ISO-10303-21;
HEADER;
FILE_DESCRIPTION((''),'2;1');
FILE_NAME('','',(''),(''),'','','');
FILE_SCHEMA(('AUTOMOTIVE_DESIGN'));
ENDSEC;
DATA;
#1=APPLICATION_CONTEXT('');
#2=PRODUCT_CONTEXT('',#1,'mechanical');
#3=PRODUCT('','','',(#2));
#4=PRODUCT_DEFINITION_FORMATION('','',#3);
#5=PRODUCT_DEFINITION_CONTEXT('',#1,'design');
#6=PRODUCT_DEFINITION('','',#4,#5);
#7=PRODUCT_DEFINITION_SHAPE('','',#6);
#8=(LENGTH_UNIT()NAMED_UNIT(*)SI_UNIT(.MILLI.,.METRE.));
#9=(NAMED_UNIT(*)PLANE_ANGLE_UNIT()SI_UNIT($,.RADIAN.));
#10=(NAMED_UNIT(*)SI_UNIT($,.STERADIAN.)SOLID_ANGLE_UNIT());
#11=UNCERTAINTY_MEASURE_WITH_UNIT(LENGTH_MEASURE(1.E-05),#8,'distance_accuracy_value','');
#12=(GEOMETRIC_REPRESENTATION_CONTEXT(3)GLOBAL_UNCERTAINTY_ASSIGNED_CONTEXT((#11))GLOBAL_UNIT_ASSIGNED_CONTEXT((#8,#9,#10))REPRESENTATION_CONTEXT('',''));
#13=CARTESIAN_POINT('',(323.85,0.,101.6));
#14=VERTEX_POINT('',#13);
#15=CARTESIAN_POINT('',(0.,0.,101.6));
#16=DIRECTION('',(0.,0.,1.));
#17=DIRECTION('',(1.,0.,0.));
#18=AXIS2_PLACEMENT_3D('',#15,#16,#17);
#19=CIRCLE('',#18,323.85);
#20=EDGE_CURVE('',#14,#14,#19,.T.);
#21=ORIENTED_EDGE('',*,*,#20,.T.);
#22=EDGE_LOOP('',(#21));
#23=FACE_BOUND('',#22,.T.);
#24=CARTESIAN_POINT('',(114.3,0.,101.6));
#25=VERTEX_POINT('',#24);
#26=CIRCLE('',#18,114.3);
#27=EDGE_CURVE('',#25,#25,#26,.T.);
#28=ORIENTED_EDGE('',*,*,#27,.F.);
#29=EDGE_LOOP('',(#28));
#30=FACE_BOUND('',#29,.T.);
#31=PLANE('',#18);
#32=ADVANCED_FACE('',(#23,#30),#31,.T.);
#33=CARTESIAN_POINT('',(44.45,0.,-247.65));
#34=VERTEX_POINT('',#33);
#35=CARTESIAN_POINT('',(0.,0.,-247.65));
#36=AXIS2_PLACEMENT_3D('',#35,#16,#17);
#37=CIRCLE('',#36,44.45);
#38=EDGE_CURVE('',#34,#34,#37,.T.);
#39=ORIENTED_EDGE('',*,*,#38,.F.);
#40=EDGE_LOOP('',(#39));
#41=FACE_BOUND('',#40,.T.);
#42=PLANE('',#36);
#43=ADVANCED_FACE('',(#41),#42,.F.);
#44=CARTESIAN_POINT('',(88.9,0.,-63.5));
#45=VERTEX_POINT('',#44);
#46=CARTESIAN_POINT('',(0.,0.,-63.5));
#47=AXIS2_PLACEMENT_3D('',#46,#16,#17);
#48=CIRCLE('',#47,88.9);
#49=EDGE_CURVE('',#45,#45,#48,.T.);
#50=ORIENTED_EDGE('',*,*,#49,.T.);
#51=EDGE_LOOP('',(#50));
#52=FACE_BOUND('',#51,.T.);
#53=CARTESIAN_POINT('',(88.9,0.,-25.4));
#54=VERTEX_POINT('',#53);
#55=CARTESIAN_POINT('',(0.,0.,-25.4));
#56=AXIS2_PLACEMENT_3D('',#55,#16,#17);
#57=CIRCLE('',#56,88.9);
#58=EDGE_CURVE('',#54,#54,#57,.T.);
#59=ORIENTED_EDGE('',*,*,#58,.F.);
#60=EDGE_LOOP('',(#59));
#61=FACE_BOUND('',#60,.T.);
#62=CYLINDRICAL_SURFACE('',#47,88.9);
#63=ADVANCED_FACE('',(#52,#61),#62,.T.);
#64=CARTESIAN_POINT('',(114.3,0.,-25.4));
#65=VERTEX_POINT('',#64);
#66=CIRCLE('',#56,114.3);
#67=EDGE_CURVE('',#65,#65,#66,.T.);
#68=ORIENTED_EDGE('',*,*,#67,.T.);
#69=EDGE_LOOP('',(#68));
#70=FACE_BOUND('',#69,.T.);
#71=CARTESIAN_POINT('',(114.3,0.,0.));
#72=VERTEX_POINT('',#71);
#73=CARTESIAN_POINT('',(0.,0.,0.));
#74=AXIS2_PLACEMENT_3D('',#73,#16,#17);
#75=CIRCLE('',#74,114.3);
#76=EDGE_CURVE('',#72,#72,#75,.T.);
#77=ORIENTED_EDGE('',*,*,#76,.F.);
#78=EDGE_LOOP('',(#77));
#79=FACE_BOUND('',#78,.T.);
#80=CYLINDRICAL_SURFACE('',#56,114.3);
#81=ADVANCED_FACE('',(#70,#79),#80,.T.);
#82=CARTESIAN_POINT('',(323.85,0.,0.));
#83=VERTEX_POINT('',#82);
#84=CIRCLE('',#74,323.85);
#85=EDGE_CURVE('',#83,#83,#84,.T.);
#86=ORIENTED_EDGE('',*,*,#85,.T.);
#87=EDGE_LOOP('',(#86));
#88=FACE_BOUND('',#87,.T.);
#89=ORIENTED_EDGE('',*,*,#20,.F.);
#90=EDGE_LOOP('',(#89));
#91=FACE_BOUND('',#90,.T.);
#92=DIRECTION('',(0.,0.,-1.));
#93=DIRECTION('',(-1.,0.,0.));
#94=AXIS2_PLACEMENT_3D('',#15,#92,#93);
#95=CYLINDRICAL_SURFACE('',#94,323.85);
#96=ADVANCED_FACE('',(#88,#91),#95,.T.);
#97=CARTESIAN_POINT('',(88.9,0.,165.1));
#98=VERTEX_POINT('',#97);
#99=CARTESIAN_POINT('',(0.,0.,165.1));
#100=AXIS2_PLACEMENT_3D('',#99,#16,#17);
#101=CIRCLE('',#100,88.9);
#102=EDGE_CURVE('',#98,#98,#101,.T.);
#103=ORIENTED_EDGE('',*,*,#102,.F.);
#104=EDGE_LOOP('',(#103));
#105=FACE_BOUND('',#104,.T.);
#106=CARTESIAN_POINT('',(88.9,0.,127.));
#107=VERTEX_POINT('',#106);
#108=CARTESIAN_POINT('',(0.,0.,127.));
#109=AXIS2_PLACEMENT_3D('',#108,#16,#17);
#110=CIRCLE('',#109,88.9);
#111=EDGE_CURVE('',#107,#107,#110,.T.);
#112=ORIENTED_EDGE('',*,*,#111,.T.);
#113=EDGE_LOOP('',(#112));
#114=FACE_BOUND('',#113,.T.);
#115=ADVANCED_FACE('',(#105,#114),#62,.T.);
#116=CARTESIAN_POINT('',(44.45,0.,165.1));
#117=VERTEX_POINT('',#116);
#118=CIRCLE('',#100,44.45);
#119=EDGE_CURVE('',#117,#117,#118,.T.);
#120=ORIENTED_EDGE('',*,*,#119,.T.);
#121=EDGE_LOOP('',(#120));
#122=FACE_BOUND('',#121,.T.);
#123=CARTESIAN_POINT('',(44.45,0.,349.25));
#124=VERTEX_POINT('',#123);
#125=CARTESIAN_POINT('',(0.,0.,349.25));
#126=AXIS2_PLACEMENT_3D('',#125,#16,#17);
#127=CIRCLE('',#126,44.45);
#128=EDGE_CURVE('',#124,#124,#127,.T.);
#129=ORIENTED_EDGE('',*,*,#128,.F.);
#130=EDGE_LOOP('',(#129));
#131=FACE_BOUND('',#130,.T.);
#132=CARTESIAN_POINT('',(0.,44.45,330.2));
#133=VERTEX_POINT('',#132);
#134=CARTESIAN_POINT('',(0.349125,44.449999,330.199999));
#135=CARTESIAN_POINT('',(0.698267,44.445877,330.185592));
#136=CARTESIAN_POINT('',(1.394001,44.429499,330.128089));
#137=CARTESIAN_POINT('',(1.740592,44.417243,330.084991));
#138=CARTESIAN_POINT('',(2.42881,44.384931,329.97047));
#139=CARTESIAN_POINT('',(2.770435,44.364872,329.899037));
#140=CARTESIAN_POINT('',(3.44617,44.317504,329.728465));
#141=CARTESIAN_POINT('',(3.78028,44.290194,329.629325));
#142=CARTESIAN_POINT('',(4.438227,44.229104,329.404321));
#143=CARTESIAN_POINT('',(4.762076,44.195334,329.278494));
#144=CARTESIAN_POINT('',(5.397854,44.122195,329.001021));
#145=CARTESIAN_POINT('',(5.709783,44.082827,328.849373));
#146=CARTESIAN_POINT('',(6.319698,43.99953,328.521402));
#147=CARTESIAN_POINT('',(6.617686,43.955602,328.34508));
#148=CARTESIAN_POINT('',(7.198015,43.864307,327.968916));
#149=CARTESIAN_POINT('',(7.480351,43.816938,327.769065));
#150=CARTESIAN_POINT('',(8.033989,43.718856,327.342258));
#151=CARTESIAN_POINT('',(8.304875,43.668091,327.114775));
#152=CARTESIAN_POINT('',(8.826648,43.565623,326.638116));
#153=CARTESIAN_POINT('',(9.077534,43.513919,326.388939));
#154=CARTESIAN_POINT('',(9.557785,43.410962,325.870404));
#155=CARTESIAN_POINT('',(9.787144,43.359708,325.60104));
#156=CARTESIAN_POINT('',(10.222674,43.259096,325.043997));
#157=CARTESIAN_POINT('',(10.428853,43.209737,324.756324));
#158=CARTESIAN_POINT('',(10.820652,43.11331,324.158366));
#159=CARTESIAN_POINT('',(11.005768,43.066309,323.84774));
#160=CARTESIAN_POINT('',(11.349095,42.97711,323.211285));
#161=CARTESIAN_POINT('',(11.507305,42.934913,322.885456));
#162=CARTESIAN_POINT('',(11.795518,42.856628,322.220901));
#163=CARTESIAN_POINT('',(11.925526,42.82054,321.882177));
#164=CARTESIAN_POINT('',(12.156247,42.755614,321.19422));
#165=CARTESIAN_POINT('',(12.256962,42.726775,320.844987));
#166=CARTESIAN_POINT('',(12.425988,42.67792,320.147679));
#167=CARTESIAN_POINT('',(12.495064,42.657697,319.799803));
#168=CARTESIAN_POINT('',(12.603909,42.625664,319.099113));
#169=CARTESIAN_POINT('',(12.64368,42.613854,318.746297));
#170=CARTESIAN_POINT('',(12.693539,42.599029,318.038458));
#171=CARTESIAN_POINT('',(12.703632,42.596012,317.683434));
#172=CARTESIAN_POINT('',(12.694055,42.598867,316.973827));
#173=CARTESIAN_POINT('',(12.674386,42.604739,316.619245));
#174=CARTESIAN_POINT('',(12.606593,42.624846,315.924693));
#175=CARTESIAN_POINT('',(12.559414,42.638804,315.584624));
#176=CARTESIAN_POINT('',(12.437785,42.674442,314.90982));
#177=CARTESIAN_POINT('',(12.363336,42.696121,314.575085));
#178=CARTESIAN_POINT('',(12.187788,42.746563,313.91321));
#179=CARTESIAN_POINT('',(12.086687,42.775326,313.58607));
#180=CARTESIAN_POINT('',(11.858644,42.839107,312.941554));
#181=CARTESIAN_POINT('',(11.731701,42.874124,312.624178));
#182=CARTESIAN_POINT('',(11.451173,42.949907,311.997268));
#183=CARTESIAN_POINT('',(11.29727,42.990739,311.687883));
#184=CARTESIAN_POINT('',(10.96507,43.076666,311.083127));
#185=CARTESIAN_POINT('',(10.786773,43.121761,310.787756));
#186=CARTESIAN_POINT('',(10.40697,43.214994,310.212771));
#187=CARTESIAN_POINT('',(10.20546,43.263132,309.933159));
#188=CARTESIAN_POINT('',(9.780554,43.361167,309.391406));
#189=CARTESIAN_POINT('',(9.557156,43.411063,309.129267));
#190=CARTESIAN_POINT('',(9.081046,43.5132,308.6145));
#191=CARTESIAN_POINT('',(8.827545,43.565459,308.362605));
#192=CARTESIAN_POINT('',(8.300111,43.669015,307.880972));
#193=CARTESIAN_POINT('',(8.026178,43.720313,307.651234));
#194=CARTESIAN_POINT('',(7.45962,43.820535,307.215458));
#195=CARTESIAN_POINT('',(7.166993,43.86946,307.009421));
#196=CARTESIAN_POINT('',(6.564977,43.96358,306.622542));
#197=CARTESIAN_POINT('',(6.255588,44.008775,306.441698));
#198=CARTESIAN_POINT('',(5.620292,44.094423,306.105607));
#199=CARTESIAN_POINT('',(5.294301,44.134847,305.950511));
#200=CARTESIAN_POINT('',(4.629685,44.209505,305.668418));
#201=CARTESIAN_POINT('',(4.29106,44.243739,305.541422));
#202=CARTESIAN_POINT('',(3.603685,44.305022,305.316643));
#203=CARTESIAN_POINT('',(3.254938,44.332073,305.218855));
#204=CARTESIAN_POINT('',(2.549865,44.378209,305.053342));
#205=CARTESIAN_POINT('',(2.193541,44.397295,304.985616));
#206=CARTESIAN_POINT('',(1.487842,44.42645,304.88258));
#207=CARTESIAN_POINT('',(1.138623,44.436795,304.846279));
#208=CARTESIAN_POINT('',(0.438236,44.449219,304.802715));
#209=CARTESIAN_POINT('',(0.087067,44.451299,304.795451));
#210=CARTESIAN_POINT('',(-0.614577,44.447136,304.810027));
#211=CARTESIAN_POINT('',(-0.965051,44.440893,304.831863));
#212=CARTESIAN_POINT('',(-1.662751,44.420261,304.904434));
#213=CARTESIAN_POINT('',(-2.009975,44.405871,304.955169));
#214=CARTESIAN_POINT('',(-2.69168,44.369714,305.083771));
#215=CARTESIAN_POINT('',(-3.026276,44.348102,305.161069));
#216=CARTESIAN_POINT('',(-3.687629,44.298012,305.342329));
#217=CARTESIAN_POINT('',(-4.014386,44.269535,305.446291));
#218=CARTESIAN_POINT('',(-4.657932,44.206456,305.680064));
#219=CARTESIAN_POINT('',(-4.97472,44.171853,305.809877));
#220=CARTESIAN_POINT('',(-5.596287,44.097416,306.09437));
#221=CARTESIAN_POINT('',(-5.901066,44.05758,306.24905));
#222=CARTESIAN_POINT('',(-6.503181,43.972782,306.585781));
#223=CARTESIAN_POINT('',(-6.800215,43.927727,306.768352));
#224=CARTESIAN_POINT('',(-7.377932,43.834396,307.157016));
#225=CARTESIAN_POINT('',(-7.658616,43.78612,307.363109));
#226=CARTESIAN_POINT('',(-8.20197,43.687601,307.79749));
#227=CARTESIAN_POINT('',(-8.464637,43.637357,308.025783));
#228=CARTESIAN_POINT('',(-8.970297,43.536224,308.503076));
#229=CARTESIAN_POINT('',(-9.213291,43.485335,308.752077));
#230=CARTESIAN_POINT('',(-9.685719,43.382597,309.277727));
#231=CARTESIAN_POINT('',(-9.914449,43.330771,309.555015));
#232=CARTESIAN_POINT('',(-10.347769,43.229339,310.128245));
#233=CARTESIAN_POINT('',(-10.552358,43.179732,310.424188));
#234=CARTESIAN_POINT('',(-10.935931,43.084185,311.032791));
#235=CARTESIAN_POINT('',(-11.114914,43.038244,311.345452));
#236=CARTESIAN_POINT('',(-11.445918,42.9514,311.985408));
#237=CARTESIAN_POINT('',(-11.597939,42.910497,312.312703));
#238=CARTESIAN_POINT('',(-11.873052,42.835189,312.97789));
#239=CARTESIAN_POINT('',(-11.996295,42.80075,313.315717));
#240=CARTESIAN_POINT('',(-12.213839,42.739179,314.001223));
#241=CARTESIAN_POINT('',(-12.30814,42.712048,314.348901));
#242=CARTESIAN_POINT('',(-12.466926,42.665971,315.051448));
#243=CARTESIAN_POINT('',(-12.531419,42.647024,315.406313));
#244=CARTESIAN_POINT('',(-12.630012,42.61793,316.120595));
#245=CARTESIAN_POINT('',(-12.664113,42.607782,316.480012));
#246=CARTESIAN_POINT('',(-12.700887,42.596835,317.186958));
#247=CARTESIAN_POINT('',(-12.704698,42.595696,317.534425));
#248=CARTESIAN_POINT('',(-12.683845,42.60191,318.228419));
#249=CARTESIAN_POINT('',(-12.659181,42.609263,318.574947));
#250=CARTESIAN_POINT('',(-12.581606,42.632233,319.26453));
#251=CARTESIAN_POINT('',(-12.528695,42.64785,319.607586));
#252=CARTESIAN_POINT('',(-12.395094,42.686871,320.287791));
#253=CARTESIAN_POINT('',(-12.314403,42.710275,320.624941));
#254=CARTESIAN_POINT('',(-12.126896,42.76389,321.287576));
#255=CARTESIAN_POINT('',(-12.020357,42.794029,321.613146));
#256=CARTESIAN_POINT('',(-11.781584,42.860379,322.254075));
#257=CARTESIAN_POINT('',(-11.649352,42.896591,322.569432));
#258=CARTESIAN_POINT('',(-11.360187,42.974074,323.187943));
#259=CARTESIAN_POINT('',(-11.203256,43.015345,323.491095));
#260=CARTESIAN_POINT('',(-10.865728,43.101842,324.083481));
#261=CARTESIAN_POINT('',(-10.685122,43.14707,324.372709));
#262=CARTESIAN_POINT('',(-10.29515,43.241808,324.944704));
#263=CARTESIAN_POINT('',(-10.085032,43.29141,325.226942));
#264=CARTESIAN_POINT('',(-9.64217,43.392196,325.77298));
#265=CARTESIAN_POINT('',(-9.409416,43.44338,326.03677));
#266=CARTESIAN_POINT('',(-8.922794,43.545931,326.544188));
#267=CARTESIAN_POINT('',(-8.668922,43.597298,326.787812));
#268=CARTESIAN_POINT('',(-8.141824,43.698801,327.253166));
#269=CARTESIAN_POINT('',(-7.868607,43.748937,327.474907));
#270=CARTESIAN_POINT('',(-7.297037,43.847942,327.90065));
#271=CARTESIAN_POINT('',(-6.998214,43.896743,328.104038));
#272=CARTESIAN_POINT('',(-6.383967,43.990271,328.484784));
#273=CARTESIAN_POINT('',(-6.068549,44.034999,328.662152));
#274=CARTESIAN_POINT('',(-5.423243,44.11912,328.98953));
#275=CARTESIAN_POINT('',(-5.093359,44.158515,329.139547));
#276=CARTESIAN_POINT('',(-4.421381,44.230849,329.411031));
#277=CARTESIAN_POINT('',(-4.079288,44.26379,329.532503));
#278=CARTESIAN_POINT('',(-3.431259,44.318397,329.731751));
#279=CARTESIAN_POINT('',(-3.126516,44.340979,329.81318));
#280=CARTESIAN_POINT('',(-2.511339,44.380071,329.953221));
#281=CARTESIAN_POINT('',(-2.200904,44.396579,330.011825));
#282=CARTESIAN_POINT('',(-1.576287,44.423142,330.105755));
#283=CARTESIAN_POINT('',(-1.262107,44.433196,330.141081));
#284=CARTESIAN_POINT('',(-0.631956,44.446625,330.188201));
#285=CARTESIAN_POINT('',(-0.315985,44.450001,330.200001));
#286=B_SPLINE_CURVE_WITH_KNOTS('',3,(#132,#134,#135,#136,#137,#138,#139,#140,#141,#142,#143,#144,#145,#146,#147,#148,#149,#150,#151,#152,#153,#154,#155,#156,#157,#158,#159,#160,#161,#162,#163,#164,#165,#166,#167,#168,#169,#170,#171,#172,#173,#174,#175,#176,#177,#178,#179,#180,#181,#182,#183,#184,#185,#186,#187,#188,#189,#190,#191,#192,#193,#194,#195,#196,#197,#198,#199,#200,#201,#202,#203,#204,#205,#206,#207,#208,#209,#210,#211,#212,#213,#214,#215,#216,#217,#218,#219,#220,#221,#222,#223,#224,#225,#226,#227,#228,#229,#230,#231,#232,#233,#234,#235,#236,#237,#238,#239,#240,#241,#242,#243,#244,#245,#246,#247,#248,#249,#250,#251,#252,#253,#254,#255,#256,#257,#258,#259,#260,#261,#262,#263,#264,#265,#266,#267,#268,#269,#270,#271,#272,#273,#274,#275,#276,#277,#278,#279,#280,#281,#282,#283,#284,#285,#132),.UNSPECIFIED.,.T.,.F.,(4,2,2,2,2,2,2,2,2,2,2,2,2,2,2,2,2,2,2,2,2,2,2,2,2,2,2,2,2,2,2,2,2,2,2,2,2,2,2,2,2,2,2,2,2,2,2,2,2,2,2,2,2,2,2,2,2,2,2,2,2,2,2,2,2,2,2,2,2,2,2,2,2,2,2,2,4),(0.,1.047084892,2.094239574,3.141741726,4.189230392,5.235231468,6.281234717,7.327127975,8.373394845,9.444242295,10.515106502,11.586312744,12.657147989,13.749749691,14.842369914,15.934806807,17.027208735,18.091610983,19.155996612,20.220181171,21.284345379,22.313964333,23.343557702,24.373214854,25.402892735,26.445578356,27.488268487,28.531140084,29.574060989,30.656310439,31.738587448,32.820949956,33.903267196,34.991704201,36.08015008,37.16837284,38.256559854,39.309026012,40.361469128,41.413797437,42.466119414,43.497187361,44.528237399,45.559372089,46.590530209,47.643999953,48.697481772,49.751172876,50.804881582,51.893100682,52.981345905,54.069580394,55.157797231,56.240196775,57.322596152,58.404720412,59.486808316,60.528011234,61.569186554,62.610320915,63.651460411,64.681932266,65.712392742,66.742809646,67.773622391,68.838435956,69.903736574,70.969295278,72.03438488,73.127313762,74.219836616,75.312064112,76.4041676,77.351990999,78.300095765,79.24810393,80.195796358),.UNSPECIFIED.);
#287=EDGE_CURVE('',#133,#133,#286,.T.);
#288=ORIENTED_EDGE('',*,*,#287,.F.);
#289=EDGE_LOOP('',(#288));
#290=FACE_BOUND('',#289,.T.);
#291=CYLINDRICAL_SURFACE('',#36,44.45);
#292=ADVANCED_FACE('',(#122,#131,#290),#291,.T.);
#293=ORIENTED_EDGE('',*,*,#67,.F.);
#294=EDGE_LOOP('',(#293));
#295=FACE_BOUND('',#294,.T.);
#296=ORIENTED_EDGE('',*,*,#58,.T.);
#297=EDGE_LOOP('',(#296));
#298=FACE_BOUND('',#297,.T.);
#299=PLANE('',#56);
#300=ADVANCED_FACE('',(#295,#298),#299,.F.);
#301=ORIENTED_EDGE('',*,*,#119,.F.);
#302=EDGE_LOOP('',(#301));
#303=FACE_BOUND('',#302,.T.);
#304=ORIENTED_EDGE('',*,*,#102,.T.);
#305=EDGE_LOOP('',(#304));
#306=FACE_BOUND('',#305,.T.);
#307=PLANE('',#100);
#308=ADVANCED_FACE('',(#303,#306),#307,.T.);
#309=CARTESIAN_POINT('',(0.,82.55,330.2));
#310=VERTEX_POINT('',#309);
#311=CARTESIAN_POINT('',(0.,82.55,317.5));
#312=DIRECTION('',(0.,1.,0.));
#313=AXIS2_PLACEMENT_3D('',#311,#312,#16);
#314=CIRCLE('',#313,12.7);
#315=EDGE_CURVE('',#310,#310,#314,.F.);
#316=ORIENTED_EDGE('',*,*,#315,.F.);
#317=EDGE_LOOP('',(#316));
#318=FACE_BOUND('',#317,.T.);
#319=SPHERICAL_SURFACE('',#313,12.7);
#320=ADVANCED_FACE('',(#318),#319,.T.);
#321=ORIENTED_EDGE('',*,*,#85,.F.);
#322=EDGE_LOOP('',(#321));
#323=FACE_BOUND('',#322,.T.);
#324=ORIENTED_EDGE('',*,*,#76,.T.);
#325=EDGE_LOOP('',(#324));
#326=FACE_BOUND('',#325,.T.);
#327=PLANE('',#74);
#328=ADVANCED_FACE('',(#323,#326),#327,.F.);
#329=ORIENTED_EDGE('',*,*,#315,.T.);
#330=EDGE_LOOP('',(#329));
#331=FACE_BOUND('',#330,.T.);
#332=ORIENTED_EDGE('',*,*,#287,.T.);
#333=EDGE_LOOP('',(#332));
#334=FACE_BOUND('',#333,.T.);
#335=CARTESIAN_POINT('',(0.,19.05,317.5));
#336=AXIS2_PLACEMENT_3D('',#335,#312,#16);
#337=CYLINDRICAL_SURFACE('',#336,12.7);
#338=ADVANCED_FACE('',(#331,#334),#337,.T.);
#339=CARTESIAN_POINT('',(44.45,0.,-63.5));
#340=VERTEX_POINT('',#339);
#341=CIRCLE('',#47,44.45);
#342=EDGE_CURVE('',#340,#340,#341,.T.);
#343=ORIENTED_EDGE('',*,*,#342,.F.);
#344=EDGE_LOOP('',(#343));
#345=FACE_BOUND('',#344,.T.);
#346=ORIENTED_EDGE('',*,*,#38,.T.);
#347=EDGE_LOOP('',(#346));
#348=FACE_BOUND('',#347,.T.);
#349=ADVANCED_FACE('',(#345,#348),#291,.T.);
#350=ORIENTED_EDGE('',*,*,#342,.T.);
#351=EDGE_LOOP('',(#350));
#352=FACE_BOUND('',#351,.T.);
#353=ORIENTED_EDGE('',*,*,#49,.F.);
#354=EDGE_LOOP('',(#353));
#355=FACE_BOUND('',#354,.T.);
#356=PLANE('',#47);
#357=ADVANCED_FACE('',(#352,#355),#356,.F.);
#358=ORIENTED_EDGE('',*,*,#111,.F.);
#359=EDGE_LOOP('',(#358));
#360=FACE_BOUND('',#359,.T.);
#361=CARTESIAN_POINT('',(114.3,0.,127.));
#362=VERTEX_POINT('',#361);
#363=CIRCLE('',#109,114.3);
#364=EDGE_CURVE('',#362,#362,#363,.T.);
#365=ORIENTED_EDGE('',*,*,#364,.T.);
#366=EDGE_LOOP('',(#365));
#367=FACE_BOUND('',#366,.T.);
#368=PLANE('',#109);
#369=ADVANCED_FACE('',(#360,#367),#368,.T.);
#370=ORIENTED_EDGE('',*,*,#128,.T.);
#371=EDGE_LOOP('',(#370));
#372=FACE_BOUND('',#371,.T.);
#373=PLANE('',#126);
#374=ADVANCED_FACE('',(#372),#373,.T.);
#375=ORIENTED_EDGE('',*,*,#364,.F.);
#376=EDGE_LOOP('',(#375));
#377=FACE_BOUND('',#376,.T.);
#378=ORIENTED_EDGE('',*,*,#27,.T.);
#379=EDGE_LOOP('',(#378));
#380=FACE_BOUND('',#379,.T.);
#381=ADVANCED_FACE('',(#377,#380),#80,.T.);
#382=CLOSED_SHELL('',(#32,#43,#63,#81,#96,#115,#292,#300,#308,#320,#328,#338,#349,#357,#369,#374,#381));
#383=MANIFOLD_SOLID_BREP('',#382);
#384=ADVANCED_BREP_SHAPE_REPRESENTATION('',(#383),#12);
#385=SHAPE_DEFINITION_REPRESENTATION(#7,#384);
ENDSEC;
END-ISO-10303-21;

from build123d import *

# Parameters (mm, degrees)
SKETCH1_R                = 323.85
BOSS_EXTRUDE3_DEPTH      = 101.6
BOSS_EXTRUDE4_DEPTH      = 25.4
BOSS_EXTRUDE4_DEPTH_BACK = 127
SKETCH2_R                = 114.3
BOSS_EXTRUDE5_DEPTH      = 38.1
BOSS_EXTRUDE5_DEPTH_BACK = 190.5
SKETCH4_R                = 88.9
BOSS_EXTRUDE6_DEPTH      = 184.15
BOSS_EXTRUDE6_DEPTH_BACK = 412.75
SKETCH5_R                = 44.45
BOSS_EXTRUDE7_DEPTH      = 50.8
BOSS_EXTRUDE7_DEPTH_BACK = 25.4
SKETCH6_R                = 12.7
FILLET2_R                = 12.7


with BuildPart() as part:
    # Sketch1 → Boss-Extrude3 (new body)
    with BuildSketch(Plane.XY):
        Circle(SKETCH1_R)
    extrude(amount=BOSS_EXTRUDE3_DEPTH)

    # Sketch2 → Boss-Extrude4 (add, two sides: drawn at the far end of the back side and taken through both)
    with BuildSketch(Plane.XY.offset(101.6).offset(-BOSS_EXTRUDE4_DEPTH_BACK)):
        Circle(SKETCH2_R)
    extrude(amount=BOSS_EXTRUDE4_DEPTH + BOSS_EXTRUDE4_DEPTH_BACK)

    # Sketch4 → Boss-Extrude5 (add, two sides: drawn at the far end of the back side and taken through both)
    with BuildSketch(Plane.XY.offset(127).offset(-BOSS_EXTRUDE5_DEPTH_BACK)):
        Circle(SKETCH4_R)
    extrude(amount=BOSS_EXTRUDE5_DEPTH + BOSS_EXTRUDE5_DEPTH_BACK)

    # Sketch5 → Boss-Extrude6 (add, two sides: drawn at the far end of the back side and taken through both)
    with BuildSketch(Plane.XY.offset(165.1).offset(-BOSS_EXTRUDE6_DEPTH_BACK)):
        Circle(SKETCH5_R)
    extrude(amount=BOSS_EXTRUDE6_DEPTH + BOSS_EXTRUDE6_DEPTH_BACK)

    # Sketch6 → Boss-Extrude7 (add, two sides: drawn at the far end of the back side and taken through both)
    with BuildSketch(Plane(origin=(0, 44.45, 0), x_dir=(1, 0, 0), z_dir=(0, 1, 0)).offset(-BOSS_EXTRUDE7_DEPTH_BACK)):
        with Locations(Location((0, -317.5, 0), (0, 0, 270))):
            Circle(SKETCH6_R)
    extrude(amount=BOSS_EXTRUDE7_DEPTH + BOSS_EXTRUDE7_DEPTH_BACK)

    # Fillet2
    fillet2_edges = [part.edges().sort_by_distance(p)[0] for p in [
        (0, 95.25, 304.8),
    ]]
    fillet(fillet2_edges, radius=FILLET2_R)


solid = part.part
